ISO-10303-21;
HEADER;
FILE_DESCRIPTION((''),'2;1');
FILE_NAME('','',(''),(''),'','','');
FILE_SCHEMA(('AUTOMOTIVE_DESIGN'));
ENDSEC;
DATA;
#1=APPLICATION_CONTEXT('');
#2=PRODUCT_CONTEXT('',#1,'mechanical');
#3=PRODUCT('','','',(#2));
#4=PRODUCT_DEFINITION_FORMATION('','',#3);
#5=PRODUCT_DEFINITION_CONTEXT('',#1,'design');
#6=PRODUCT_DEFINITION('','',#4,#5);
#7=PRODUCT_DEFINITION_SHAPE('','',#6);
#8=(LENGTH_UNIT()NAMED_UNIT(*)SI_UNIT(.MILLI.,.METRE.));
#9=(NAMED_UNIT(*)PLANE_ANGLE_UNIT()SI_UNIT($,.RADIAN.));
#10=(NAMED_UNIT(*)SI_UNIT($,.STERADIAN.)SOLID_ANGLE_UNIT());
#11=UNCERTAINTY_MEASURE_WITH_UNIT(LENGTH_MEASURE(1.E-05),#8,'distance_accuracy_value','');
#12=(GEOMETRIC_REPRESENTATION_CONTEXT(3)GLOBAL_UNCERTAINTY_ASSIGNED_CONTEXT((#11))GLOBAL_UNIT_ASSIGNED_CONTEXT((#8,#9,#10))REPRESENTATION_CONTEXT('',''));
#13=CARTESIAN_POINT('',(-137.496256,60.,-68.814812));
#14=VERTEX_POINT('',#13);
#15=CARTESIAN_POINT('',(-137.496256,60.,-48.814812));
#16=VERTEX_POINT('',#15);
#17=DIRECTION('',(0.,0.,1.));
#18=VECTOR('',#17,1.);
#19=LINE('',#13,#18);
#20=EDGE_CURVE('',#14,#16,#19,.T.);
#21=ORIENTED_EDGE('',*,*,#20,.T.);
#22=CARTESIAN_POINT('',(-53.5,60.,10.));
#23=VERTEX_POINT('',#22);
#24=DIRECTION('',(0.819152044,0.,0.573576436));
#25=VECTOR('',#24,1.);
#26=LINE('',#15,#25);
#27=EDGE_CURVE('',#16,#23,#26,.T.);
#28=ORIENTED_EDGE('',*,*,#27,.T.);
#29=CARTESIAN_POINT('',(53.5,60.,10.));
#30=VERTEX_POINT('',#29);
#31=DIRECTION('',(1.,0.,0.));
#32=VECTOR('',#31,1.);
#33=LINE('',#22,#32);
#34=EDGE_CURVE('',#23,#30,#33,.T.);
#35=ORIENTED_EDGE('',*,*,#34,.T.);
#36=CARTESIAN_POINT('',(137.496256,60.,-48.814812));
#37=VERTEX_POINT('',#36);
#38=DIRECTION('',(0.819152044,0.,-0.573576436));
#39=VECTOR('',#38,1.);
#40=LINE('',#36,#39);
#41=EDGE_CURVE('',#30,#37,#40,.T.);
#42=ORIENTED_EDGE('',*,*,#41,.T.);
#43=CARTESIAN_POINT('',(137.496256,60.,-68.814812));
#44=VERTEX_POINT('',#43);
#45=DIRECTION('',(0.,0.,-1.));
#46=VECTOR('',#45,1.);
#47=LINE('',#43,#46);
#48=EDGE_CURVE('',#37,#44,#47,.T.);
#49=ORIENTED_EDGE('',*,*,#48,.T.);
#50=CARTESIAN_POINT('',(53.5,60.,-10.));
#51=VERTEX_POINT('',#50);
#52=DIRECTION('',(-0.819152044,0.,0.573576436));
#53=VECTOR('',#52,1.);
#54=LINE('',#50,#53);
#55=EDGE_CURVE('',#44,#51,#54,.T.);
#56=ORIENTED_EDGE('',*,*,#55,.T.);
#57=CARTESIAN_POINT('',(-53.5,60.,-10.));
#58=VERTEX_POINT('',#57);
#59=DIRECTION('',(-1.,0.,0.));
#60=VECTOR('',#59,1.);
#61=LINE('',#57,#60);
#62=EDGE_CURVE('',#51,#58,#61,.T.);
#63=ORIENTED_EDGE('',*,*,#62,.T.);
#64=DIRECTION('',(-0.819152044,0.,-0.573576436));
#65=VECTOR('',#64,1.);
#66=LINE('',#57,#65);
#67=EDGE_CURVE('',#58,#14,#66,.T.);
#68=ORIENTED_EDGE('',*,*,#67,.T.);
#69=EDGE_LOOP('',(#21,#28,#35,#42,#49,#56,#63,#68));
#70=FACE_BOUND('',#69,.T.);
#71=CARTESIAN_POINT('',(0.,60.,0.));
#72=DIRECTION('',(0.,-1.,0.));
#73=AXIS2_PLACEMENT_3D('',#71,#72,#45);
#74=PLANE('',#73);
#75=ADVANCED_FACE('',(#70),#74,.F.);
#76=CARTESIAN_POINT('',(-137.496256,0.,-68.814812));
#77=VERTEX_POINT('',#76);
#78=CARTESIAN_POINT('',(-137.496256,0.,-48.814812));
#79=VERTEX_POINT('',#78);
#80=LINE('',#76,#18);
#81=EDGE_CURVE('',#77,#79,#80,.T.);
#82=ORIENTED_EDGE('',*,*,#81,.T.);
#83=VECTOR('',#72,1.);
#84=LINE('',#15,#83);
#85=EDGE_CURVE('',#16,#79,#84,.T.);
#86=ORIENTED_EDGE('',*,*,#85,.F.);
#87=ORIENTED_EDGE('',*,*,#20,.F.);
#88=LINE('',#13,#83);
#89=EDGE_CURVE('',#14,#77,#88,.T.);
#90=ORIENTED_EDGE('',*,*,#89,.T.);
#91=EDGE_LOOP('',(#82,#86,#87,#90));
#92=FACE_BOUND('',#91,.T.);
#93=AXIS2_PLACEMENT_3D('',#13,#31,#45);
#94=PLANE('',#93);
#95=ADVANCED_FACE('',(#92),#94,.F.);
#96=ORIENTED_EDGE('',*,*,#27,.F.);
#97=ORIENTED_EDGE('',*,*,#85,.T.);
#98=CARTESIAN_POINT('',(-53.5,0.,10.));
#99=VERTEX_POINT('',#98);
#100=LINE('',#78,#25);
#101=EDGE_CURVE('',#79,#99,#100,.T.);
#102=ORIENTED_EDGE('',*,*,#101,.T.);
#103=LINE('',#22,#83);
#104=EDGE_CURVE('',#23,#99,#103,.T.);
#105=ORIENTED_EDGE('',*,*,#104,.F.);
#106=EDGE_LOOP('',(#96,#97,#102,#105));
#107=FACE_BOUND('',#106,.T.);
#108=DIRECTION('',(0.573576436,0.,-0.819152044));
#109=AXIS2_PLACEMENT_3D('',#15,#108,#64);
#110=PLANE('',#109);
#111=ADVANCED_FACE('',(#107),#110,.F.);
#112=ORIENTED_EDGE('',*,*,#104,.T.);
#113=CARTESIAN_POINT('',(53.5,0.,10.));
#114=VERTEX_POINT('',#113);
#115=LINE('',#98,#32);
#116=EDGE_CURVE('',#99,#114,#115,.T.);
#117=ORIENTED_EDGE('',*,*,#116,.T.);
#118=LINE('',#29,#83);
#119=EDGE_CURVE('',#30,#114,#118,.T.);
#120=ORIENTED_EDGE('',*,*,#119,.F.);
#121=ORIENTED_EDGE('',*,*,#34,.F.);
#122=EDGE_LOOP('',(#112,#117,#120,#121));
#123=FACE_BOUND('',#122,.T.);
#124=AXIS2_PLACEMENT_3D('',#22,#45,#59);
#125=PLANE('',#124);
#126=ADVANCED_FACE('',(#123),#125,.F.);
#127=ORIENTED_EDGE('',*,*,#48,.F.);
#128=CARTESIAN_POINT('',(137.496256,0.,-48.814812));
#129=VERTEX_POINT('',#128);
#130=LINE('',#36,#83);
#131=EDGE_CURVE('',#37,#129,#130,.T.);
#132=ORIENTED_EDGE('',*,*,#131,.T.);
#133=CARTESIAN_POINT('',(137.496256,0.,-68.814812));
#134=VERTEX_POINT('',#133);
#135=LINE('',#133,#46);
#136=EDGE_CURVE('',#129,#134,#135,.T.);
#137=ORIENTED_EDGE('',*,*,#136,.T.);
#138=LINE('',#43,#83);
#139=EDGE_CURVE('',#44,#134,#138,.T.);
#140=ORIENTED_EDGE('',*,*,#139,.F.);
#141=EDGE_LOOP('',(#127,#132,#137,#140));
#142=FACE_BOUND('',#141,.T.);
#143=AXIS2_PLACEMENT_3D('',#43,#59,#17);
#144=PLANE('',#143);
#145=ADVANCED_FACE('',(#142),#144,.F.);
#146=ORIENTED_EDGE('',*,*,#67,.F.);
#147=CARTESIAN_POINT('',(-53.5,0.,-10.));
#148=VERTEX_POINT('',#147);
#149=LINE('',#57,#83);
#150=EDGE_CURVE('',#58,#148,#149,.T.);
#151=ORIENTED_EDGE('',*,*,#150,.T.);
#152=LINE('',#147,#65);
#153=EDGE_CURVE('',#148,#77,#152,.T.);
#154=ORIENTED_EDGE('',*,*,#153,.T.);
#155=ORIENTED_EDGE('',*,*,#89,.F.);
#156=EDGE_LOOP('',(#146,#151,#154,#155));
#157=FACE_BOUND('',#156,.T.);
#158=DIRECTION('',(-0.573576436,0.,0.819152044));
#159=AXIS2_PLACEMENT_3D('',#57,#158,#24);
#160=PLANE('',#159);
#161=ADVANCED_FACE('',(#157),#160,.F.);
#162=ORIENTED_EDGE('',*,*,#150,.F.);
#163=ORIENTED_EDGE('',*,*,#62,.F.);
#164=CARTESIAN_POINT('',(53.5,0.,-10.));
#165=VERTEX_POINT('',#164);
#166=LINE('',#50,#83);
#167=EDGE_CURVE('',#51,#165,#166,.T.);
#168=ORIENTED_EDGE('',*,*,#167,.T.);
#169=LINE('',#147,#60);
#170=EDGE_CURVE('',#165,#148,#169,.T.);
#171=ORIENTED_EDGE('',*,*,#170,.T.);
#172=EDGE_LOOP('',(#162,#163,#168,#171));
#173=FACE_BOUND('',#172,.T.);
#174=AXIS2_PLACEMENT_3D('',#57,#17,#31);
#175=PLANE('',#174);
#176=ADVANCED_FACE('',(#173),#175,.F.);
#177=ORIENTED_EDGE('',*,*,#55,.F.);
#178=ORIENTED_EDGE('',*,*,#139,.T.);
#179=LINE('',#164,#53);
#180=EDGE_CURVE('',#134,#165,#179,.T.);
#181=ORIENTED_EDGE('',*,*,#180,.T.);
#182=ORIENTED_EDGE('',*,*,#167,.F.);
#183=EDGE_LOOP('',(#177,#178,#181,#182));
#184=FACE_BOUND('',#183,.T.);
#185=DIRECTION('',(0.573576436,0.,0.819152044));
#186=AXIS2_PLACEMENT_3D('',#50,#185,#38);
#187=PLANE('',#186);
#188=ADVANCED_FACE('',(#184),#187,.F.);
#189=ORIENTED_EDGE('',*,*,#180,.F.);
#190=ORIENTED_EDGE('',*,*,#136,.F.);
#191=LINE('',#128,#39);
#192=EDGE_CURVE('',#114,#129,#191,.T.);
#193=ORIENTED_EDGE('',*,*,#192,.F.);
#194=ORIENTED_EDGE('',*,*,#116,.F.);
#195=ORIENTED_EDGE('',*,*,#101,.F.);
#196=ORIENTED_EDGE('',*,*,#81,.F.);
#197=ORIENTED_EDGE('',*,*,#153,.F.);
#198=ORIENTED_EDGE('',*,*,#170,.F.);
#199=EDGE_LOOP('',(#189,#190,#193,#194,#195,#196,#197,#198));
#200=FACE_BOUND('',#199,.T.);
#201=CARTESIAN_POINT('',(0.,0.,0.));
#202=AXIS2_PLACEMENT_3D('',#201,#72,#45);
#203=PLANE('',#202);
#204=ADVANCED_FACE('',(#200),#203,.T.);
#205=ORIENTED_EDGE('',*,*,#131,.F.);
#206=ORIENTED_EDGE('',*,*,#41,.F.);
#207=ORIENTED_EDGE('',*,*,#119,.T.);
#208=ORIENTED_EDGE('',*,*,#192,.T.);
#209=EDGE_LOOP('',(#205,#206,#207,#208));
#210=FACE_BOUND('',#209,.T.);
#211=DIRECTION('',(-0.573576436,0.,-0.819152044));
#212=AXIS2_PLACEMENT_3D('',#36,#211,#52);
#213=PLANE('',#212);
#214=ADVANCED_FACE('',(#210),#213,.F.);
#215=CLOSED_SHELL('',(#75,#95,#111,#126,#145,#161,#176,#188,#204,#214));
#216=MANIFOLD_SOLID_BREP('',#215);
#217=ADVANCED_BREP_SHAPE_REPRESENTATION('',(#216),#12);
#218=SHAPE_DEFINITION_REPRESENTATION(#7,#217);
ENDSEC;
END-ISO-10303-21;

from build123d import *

# Parameters (mm, degrees)
BOSS_EXTRUDE1_DEPTH = 60


with BuildPart() as part:
    # Sketch1 → Boss-Extrude1 (new body)
    with BuildSketch(Plane(origin=(0, 0, 0), x_dir=(1, 0, 0), z_dir=(0, 1, 0))):
        Polygon((-53.5, 10), (-137.496256044, 68.814811664), (-137.496256044, 48.814811664), (-53.5, -10), (53.5, -10), (137.496256044, 48.814811664), (137.496256044, 68.814811664), (53.5, 10), align=None)
    extrude(amount=BOSS_EXTRUDE1_DEPTH)


solid = part.part
